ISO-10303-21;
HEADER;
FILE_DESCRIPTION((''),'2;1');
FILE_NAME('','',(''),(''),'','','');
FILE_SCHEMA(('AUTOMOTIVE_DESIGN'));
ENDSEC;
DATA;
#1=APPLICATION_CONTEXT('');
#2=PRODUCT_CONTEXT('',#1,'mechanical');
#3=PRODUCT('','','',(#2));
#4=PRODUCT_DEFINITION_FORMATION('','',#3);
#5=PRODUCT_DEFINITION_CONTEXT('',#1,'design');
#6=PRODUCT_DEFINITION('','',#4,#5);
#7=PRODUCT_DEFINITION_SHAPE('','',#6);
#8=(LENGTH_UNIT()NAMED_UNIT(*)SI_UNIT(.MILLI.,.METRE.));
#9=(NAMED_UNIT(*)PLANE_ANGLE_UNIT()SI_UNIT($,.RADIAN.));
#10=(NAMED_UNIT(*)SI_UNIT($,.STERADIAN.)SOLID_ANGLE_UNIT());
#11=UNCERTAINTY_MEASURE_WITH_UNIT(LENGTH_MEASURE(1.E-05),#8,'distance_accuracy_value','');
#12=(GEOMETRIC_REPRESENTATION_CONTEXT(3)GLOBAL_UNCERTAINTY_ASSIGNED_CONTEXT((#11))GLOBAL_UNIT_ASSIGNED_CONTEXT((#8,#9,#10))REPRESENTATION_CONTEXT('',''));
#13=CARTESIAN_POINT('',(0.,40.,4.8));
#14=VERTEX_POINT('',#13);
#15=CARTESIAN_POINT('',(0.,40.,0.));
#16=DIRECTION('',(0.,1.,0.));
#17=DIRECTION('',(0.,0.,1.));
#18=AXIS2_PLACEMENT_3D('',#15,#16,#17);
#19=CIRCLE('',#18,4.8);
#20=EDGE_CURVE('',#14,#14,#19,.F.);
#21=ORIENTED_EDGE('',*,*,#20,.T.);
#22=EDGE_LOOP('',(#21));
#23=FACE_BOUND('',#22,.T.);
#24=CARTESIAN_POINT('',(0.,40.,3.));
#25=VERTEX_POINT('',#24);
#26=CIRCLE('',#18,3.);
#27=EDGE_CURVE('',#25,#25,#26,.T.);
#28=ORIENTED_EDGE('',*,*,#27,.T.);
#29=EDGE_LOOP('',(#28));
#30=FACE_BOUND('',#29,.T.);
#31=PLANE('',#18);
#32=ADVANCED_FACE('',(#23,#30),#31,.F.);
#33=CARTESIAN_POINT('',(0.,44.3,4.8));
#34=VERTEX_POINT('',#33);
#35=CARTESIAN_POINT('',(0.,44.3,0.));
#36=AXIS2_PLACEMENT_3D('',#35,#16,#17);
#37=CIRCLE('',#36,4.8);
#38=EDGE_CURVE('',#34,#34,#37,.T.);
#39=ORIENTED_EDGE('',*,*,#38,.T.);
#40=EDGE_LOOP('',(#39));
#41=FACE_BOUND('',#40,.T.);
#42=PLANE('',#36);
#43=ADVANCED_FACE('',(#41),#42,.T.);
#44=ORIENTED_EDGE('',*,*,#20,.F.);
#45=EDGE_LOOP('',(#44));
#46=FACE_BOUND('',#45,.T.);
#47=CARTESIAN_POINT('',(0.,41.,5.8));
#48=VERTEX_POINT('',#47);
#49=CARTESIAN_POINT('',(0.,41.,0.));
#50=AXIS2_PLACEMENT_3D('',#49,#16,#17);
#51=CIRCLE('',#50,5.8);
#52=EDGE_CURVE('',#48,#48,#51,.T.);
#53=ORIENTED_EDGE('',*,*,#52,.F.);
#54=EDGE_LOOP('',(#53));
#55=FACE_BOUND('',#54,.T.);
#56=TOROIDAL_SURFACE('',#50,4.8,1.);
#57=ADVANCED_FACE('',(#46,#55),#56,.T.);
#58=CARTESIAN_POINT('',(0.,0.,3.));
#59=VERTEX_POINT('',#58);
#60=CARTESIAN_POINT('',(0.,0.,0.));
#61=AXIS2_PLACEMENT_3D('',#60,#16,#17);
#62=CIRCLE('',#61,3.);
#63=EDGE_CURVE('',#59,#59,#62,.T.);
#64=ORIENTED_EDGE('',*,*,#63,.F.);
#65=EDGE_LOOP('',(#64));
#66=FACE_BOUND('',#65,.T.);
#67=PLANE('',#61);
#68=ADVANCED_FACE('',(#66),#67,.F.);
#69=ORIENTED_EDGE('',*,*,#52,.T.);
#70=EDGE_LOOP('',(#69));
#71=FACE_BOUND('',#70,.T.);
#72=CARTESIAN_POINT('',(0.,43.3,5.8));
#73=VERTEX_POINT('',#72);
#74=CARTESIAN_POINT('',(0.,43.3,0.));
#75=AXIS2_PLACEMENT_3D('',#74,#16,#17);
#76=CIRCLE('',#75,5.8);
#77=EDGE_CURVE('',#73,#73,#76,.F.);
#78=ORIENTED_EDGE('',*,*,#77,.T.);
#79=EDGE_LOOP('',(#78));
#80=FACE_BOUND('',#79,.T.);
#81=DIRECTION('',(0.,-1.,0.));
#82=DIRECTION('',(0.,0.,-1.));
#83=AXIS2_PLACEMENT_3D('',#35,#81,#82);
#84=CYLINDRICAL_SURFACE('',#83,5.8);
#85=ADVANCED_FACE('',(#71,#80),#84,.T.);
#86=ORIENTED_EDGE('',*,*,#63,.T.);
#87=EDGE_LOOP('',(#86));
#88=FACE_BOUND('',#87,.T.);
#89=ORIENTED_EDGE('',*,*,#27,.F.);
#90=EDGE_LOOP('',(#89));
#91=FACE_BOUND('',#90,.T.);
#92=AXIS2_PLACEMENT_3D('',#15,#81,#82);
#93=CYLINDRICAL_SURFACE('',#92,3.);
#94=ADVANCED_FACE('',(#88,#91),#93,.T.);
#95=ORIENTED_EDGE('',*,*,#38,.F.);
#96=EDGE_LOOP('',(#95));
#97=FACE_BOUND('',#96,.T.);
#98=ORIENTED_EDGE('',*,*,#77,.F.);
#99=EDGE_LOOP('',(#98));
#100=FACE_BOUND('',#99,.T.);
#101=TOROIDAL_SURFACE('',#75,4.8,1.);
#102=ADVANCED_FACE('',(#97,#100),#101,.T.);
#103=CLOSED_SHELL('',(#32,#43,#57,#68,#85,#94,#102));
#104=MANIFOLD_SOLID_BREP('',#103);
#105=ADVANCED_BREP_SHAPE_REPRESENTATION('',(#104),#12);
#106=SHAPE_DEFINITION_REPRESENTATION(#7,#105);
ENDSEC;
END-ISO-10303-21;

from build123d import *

# Parameters (mm, degrees)
SKETCH1_R           = 3
BOSS_EXTRUDE1_DEPTH = 40
SKETCH2_R           = 5.8
BOSS_EXTRUDE2_DEPTH = 4.3
FILLET1_R           = 1


with BuildPart() as part:
    # Sketch1 → Boss-Extrude1 (new body)
    with BuildSketch(Plane(origin=(0, 0, 0), x_dir=(1, 0, 0), z_dir=(0, 1, 0))):
        with Locations(Location((0, 0, 0), (0, 0, 270))):  # turned: the seam where the file's is
            Circle(SKETCH1_R)
    extrude(amount=BOSS_EXTRUDE1_DEPTH)

    # Sketch2 → Boss-Extrude2 (add)
    with BuildSketch(Plane(origin=(0, 40, 0), x_dir=(1, 0, 0), z_dir=(0, 1, 0))):
        with Locations(Location((0, 0, 0), (0, 0, 270))):  # turned: the seam where the file's is
            Circle(SKETCH2_R)
    extrude(amount=BOSS_EXTRUDE2_DEPTH)

    # Fillet1
    fillet1_edges = [part.edges().sort_by_distance(p)[0] for p in [
        (0, 40, -5.8),
        (0, 44.3, -5.8),
    ]]
    fillet(fillet1_edges, radius=FILLET1_R)


solid = part.part
